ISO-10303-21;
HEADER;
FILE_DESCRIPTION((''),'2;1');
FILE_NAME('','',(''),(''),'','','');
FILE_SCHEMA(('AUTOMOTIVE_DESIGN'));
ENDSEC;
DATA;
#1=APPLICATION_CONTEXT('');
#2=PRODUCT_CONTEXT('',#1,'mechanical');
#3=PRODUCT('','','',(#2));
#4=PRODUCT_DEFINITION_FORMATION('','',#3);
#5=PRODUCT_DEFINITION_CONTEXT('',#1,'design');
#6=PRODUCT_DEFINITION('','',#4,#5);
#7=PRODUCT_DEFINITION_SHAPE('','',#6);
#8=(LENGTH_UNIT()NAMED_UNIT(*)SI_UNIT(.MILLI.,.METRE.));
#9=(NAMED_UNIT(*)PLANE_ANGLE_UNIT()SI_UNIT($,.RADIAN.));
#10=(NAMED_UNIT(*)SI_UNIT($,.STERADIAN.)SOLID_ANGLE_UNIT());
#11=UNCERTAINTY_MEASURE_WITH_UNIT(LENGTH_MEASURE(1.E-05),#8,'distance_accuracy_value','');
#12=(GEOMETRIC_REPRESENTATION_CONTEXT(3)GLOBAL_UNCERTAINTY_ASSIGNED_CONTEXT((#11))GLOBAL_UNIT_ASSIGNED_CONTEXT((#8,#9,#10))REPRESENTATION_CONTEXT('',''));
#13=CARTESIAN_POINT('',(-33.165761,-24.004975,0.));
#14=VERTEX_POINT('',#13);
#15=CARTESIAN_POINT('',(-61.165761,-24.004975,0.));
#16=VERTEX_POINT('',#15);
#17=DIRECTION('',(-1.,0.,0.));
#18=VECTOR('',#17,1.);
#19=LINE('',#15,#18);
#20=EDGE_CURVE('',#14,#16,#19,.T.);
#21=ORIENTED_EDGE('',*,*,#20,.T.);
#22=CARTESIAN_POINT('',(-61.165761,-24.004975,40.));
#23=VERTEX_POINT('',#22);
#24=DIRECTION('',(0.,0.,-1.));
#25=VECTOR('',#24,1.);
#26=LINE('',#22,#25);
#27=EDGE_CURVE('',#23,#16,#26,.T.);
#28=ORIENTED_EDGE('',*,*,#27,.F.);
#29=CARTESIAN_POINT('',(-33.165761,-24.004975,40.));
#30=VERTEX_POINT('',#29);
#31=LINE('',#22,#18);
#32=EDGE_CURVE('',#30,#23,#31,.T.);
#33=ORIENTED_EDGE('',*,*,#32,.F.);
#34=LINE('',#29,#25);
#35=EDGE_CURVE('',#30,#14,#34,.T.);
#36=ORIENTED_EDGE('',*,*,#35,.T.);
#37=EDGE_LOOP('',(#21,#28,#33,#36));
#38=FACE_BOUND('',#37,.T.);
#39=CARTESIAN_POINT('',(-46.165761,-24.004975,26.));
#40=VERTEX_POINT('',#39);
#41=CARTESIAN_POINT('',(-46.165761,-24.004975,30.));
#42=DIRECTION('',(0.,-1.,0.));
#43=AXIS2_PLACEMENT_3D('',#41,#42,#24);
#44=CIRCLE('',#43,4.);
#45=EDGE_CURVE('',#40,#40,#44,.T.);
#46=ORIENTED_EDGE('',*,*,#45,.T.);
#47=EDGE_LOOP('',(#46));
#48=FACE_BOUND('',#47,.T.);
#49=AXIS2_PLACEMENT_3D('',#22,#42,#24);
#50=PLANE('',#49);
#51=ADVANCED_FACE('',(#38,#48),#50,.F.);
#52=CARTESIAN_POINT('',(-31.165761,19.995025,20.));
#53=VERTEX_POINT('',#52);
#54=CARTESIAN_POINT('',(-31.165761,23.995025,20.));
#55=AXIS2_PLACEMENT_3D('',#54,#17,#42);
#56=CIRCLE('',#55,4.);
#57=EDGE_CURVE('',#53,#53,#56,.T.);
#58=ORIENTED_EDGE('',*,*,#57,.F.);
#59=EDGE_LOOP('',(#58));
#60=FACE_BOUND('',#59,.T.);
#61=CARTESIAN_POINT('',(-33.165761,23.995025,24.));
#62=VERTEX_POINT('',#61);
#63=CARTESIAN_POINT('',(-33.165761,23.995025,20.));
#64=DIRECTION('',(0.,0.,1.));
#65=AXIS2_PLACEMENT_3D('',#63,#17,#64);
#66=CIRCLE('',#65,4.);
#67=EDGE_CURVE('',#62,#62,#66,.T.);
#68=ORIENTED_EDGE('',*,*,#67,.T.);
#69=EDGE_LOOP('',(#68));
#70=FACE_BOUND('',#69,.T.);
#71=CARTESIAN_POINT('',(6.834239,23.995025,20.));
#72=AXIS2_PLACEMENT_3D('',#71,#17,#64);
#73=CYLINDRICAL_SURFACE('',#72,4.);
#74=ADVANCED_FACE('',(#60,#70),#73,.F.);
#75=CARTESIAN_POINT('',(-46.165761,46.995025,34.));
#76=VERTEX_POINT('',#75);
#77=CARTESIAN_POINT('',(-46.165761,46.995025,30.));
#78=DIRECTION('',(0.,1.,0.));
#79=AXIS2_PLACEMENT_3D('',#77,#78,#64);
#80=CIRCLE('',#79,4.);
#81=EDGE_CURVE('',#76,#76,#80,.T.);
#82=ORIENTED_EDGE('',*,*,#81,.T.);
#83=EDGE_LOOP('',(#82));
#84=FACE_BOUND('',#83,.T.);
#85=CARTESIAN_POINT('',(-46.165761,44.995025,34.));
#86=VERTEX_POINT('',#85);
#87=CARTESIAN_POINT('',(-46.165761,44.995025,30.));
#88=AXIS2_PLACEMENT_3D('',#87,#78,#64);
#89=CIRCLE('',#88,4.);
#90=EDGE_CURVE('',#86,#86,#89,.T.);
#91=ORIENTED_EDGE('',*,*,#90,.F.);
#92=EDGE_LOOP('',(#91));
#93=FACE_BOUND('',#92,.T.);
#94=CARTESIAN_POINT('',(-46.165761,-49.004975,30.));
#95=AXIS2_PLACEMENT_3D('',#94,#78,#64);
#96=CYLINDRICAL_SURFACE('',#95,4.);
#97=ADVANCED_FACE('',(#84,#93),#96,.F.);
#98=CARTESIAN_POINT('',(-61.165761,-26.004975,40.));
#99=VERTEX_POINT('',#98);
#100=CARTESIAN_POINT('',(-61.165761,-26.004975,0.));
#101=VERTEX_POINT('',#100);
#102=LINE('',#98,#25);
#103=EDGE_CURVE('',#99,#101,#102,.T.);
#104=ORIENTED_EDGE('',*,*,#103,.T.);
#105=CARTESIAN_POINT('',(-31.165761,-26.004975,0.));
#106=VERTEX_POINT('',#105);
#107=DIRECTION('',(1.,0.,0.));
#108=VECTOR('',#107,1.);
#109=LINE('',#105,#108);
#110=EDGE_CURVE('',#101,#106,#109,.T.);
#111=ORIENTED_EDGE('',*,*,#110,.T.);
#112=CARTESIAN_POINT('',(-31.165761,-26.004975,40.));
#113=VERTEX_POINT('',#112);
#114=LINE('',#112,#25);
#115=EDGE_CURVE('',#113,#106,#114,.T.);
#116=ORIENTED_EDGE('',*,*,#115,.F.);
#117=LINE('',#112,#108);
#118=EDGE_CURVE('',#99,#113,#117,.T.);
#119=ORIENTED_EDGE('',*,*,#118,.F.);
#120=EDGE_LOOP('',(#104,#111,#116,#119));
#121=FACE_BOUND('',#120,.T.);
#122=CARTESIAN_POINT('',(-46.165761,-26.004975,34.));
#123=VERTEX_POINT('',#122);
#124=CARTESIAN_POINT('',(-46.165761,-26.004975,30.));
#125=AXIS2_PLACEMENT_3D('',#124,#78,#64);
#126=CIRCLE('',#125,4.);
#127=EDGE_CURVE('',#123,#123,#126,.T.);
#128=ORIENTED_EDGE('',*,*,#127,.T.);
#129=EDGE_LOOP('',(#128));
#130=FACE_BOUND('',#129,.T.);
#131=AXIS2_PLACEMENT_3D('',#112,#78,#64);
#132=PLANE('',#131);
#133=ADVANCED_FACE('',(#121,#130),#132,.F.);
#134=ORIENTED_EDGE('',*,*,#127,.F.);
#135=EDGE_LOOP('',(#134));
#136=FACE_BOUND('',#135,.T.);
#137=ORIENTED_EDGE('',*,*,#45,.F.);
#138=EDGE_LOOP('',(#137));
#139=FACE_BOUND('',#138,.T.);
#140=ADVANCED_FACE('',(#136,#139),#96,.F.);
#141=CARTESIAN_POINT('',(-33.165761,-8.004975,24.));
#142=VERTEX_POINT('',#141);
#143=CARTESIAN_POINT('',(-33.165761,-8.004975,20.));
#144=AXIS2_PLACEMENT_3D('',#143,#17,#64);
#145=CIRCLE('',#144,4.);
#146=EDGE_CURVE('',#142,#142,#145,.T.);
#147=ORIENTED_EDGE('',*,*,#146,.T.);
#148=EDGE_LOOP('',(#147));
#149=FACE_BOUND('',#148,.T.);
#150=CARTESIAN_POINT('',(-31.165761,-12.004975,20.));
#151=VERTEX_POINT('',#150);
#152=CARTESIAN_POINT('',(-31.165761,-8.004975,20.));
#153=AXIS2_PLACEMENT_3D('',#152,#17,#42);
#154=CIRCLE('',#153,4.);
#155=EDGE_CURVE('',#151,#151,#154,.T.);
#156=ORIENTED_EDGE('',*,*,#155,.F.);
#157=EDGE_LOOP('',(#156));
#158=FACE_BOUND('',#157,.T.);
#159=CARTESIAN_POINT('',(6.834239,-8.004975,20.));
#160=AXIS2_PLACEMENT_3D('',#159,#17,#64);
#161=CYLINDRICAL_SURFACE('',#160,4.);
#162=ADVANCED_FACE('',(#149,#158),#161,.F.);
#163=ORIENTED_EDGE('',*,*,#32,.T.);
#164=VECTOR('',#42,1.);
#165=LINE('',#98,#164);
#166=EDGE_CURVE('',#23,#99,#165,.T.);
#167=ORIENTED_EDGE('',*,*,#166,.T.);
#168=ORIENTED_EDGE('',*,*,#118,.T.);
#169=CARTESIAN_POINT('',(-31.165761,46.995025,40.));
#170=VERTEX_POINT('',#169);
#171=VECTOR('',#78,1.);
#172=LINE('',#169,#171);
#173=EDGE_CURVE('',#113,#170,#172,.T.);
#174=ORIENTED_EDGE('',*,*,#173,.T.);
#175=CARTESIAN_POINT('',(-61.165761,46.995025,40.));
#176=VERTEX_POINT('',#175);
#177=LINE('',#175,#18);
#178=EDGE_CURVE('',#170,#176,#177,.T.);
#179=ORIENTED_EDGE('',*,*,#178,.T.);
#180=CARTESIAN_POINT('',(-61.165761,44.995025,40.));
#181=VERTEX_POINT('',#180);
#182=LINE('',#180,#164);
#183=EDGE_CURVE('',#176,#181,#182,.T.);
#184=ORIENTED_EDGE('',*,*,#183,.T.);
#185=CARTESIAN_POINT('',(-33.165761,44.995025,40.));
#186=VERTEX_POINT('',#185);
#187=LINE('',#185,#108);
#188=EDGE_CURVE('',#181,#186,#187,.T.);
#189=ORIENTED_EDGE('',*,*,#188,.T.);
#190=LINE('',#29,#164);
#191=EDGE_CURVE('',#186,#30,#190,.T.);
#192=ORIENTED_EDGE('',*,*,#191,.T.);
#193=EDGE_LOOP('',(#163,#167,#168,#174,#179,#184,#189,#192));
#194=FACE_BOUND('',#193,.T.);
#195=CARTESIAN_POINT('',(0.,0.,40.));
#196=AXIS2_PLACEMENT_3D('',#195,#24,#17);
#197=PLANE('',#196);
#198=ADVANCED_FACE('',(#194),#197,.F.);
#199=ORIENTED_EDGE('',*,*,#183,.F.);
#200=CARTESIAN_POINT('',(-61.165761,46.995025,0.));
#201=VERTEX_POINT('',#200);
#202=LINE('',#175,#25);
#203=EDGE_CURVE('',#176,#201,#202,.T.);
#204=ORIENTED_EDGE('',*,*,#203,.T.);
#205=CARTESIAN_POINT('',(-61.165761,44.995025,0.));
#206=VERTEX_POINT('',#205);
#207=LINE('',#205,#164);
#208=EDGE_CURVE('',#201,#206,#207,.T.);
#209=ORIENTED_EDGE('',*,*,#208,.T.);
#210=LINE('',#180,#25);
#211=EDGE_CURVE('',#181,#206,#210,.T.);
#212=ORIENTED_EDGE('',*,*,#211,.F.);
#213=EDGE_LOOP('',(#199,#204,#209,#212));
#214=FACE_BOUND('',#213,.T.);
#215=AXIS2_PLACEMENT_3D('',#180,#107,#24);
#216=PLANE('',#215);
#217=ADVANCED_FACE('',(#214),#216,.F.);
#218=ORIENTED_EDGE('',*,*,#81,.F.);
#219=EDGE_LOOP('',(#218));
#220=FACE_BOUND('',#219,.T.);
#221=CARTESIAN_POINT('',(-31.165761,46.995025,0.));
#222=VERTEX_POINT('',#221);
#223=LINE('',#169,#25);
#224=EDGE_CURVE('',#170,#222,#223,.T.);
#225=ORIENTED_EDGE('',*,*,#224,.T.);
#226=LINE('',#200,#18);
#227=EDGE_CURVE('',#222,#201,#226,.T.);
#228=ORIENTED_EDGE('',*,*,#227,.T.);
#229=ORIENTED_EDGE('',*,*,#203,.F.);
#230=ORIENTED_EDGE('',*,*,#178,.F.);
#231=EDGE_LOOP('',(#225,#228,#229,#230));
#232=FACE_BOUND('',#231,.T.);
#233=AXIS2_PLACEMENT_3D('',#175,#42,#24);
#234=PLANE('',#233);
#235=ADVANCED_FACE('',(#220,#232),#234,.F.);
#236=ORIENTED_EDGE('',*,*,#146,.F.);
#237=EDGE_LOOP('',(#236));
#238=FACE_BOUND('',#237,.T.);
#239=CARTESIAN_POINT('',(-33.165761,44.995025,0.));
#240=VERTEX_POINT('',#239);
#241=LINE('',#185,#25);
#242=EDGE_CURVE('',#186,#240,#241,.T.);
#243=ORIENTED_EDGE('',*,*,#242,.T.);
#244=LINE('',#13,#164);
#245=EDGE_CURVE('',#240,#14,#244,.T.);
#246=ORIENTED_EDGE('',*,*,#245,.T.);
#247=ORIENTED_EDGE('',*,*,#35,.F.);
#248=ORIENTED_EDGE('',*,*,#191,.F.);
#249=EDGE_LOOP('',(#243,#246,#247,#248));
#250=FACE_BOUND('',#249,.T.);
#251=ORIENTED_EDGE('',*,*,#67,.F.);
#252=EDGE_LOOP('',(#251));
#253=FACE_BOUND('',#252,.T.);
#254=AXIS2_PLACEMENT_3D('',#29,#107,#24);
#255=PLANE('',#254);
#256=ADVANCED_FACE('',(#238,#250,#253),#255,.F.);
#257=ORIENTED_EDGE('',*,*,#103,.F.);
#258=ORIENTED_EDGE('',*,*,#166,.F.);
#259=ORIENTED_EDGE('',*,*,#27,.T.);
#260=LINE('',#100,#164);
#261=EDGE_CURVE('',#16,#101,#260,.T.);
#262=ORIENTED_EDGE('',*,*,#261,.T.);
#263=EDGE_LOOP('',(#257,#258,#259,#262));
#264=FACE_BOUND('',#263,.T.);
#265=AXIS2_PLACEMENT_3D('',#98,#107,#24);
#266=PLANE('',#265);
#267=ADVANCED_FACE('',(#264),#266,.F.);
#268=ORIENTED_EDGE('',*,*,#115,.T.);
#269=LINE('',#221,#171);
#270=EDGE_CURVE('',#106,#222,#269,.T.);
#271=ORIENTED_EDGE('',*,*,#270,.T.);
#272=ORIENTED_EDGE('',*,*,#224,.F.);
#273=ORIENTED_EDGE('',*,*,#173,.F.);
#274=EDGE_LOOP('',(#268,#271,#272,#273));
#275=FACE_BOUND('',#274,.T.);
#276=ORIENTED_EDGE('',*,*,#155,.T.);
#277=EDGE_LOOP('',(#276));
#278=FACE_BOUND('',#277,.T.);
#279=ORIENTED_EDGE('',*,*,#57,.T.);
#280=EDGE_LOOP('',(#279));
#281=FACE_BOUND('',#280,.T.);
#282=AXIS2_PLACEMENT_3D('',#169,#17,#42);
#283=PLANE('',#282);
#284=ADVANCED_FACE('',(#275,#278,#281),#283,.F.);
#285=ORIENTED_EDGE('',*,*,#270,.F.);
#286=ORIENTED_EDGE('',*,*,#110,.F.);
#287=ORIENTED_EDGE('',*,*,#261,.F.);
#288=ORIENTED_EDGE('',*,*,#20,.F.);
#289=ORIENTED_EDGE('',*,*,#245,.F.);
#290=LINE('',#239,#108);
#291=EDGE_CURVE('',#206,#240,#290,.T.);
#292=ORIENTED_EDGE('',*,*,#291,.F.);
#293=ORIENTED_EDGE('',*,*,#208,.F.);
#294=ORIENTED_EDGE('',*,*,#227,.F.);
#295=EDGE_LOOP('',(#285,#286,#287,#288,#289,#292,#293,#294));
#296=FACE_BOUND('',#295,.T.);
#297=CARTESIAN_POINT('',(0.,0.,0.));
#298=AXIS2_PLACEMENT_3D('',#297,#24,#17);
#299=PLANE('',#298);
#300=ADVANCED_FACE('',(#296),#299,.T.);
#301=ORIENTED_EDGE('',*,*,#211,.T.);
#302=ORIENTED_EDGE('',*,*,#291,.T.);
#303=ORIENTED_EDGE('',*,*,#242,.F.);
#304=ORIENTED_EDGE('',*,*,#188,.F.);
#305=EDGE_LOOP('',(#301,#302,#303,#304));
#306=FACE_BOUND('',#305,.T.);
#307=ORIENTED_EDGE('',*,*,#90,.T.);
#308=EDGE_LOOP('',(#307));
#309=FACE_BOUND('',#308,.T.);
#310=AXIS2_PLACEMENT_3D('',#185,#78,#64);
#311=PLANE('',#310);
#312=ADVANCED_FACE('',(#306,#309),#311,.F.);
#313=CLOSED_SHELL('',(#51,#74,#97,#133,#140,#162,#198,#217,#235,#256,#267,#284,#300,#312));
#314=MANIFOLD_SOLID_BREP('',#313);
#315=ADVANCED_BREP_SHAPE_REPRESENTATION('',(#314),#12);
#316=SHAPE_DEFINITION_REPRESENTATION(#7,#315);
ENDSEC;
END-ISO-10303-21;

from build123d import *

# Parameters (mm, degrees)
EXTRUDE_1_DEPTH     = 40
SKETCH_3_R          = 4
CUT_EXTRUDE_1_DEPTH = 40
SKETCH_4_R          = 4
CUT_EXTRUDE_2_DEPTH = 96


with BuildPart() as part:
    # 草图1 → 凸台-拉伸1 (new body)
    with BuildSketch(Plane.XY):
        Polygon((-61.165760894, 46.995024588), (-31.165760894, 46.995024588), (-31.165760894, -26.004975412), (-61.165760894, -26.004975412), (-61.165760894, -24.004975412), (-33.165760894, -24.004975412), (-33.165760894, 44.995024588), (-61.165760894, 44.995024588), align=None)
    extrude(amount=EXTRUDE_1_DEPTH)

    # 草图3 → 切除-拉伸1 (cut)
    with BuildSketch(Plane.ZY.offset(33.165760894)):
        with Locations((20, 23.995024588)):
            Circle(SKETCH_3_R)
        with Locations((20, -8.004975412)):
            Circle(SKETCH_3_R)
    extrude(amount=-CUT_EXTRUDE_1_DEPTH, mode=Mode.SUBTRACT)

    # 草图4 → 切除-拉伸2 (cut)
    with BuildSketch(Plane(origin=(0, 46.995024588, 0), x_dir=(1, 0, 0), z_dir=(0, 1, 0))):
        with Locations((-46.165760894, -30)):
            Circle(SKETCH_4_R)
    extrude(amount=-CUT_EXTRUDE_2_DEPTH, mode=Mode.SUBTRACT)


solid = part.part
